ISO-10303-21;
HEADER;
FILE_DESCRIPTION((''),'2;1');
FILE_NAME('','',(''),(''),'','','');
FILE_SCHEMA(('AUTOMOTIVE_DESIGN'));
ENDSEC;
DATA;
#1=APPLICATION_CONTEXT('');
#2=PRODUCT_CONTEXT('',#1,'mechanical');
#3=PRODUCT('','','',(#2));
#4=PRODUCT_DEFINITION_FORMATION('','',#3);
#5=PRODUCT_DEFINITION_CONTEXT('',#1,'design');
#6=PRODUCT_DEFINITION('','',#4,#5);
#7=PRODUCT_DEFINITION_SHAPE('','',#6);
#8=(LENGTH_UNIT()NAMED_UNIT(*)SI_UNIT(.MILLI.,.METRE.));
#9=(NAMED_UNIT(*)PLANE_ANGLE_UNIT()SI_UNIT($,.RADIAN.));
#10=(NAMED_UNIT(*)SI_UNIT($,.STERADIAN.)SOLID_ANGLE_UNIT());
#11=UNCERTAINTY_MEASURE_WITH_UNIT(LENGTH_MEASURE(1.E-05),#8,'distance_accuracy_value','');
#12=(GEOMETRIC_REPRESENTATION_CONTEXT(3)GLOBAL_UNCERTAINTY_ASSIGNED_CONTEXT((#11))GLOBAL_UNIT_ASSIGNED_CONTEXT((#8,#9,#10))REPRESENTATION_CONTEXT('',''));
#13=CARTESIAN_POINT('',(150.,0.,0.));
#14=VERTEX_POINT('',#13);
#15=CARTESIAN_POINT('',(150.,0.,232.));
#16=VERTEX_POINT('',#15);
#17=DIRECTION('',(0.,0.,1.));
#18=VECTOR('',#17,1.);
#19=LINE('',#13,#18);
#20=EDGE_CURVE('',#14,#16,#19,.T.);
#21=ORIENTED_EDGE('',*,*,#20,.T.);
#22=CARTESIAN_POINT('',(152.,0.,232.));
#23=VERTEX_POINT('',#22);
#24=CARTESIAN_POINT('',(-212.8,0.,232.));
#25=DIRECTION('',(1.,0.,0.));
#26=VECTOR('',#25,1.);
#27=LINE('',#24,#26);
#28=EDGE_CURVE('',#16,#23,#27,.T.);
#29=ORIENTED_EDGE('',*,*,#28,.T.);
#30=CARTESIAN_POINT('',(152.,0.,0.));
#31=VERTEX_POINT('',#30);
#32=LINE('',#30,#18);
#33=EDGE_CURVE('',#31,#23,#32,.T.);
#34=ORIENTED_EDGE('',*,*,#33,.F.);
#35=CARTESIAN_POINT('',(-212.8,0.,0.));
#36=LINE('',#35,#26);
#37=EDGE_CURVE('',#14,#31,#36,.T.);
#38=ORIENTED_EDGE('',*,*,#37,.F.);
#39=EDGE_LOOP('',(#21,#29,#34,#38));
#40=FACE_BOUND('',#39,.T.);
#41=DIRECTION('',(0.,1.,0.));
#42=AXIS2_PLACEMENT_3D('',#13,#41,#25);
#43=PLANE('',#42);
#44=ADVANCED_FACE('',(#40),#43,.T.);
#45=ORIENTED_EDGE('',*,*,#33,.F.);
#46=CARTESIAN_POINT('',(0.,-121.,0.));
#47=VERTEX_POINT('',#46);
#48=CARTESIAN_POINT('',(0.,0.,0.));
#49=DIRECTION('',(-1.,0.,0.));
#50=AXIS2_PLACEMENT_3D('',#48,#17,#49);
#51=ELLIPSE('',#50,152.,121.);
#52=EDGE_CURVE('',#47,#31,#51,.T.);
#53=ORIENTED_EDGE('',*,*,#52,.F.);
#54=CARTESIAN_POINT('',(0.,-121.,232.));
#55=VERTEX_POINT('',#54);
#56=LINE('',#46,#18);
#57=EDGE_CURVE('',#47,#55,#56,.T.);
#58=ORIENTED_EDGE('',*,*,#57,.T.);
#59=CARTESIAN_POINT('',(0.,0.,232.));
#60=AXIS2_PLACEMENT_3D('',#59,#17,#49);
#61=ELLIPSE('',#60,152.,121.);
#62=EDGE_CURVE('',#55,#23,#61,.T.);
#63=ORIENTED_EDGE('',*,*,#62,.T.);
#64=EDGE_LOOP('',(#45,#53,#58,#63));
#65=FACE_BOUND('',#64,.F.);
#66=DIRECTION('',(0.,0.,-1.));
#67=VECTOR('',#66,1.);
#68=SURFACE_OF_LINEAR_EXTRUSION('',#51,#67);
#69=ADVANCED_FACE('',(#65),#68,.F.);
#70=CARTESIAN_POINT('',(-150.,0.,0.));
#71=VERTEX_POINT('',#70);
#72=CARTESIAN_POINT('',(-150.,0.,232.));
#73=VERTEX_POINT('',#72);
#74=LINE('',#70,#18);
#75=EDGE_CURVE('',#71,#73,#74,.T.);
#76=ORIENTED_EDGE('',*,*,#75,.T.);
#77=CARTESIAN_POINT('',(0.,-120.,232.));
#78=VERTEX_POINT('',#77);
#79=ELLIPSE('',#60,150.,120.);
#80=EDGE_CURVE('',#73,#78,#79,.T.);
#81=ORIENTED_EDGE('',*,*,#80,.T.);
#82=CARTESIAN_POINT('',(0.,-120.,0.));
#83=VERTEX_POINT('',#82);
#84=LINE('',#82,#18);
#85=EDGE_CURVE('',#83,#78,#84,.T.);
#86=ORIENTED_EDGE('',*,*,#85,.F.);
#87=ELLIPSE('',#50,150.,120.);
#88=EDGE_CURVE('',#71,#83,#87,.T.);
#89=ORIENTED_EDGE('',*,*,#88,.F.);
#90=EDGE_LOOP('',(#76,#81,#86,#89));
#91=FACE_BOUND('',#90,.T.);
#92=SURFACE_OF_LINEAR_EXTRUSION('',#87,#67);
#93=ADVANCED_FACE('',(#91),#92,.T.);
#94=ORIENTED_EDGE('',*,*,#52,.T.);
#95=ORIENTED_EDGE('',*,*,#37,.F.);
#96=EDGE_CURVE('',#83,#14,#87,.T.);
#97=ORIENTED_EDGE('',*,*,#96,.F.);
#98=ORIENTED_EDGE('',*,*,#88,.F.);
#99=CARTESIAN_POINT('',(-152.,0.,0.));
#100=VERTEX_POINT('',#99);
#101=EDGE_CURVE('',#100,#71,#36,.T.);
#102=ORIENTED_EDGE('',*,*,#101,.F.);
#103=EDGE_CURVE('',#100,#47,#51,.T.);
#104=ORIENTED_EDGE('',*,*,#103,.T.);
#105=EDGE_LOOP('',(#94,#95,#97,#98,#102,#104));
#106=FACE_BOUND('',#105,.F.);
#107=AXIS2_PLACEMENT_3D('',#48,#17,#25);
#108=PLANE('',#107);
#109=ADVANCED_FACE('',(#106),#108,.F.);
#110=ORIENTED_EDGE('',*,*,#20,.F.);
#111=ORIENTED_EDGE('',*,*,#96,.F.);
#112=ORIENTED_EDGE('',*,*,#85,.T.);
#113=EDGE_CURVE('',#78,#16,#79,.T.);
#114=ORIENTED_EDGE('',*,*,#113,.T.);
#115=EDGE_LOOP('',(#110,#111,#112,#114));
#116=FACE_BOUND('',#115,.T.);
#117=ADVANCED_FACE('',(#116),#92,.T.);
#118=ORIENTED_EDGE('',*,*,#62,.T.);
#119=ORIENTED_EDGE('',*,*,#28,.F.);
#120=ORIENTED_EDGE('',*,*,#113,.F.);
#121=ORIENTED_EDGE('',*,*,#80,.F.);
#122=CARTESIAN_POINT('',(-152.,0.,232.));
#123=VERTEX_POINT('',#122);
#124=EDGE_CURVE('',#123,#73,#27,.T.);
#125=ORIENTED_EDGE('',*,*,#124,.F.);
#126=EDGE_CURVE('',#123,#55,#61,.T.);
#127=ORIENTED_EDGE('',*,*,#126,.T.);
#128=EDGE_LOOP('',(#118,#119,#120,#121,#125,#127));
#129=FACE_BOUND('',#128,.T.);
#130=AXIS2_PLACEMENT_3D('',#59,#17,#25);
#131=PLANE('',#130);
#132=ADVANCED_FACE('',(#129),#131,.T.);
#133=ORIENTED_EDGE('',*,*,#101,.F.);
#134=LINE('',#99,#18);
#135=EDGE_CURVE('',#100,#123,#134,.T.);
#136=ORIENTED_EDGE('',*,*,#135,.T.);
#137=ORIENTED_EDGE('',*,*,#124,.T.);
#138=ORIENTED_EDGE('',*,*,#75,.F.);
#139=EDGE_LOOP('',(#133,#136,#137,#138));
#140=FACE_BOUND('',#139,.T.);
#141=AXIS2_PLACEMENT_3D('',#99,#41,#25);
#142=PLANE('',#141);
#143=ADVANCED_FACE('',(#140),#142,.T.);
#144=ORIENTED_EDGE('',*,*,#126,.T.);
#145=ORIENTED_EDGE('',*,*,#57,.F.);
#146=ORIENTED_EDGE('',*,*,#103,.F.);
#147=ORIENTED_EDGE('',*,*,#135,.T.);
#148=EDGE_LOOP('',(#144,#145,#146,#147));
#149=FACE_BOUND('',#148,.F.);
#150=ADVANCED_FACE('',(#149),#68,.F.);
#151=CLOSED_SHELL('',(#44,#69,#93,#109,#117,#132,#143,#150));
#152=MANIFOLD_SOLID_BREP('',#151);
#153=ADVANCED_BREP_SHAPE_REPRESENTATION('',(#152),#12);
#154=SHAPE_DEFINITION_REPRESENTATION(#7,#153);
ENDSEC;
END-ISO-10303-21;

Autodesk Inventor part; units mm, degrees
ref_plane "YZ Plane" through (0, 0, 0) normal (1, 0, 0) x (0, 1, 0)
ref_plane "XZ Plane" through (0, 0, 0) normal (0, 1, 0) x (-1, 0, 0)
ref_plane "XY Plane" through (0, 0, 0) normal (0, 0, 1) x (1, 0, 0)
sketch "Skizze1" plane through (0, 0, 0) normal (0, 0, 1) x (1, 0, 0)
  line L0 (-212.8, 0) -> (212.8, 0) projected
  line L1 (0, -169.4) -> (0, 169.4) projected
  ellipse E0 centre (0, 0) end of major axis (-150, 0) minor radius 120
  line L2 (0, 120) -> (0, -120) construction
  line L3 (-150, 0) -> (150, 0) construction
  line L4 (0, 0) -> (-152, 0)
  line L5 (0, 0) -> (0, 121)
  ellipse E1 centre (0, 0) end of major axis (0, 121) minor radius 152
  point P0 (152, 0)
  dimension "d0" = 300
  dimension "d1" = 240
  dimension "d34" = 152
  dimension "d35" = 121
extrude "Extrusion3" add sketch "Skizze1" along normal blind 232 contours L0 E0 L1 E1 | L1 E0 L0 E1 picked at (-151.0004, -4.6164) picked at (148.5136, -19.4462)
properties part number "24_0497_0018" material "LCP-Kunststoff"
